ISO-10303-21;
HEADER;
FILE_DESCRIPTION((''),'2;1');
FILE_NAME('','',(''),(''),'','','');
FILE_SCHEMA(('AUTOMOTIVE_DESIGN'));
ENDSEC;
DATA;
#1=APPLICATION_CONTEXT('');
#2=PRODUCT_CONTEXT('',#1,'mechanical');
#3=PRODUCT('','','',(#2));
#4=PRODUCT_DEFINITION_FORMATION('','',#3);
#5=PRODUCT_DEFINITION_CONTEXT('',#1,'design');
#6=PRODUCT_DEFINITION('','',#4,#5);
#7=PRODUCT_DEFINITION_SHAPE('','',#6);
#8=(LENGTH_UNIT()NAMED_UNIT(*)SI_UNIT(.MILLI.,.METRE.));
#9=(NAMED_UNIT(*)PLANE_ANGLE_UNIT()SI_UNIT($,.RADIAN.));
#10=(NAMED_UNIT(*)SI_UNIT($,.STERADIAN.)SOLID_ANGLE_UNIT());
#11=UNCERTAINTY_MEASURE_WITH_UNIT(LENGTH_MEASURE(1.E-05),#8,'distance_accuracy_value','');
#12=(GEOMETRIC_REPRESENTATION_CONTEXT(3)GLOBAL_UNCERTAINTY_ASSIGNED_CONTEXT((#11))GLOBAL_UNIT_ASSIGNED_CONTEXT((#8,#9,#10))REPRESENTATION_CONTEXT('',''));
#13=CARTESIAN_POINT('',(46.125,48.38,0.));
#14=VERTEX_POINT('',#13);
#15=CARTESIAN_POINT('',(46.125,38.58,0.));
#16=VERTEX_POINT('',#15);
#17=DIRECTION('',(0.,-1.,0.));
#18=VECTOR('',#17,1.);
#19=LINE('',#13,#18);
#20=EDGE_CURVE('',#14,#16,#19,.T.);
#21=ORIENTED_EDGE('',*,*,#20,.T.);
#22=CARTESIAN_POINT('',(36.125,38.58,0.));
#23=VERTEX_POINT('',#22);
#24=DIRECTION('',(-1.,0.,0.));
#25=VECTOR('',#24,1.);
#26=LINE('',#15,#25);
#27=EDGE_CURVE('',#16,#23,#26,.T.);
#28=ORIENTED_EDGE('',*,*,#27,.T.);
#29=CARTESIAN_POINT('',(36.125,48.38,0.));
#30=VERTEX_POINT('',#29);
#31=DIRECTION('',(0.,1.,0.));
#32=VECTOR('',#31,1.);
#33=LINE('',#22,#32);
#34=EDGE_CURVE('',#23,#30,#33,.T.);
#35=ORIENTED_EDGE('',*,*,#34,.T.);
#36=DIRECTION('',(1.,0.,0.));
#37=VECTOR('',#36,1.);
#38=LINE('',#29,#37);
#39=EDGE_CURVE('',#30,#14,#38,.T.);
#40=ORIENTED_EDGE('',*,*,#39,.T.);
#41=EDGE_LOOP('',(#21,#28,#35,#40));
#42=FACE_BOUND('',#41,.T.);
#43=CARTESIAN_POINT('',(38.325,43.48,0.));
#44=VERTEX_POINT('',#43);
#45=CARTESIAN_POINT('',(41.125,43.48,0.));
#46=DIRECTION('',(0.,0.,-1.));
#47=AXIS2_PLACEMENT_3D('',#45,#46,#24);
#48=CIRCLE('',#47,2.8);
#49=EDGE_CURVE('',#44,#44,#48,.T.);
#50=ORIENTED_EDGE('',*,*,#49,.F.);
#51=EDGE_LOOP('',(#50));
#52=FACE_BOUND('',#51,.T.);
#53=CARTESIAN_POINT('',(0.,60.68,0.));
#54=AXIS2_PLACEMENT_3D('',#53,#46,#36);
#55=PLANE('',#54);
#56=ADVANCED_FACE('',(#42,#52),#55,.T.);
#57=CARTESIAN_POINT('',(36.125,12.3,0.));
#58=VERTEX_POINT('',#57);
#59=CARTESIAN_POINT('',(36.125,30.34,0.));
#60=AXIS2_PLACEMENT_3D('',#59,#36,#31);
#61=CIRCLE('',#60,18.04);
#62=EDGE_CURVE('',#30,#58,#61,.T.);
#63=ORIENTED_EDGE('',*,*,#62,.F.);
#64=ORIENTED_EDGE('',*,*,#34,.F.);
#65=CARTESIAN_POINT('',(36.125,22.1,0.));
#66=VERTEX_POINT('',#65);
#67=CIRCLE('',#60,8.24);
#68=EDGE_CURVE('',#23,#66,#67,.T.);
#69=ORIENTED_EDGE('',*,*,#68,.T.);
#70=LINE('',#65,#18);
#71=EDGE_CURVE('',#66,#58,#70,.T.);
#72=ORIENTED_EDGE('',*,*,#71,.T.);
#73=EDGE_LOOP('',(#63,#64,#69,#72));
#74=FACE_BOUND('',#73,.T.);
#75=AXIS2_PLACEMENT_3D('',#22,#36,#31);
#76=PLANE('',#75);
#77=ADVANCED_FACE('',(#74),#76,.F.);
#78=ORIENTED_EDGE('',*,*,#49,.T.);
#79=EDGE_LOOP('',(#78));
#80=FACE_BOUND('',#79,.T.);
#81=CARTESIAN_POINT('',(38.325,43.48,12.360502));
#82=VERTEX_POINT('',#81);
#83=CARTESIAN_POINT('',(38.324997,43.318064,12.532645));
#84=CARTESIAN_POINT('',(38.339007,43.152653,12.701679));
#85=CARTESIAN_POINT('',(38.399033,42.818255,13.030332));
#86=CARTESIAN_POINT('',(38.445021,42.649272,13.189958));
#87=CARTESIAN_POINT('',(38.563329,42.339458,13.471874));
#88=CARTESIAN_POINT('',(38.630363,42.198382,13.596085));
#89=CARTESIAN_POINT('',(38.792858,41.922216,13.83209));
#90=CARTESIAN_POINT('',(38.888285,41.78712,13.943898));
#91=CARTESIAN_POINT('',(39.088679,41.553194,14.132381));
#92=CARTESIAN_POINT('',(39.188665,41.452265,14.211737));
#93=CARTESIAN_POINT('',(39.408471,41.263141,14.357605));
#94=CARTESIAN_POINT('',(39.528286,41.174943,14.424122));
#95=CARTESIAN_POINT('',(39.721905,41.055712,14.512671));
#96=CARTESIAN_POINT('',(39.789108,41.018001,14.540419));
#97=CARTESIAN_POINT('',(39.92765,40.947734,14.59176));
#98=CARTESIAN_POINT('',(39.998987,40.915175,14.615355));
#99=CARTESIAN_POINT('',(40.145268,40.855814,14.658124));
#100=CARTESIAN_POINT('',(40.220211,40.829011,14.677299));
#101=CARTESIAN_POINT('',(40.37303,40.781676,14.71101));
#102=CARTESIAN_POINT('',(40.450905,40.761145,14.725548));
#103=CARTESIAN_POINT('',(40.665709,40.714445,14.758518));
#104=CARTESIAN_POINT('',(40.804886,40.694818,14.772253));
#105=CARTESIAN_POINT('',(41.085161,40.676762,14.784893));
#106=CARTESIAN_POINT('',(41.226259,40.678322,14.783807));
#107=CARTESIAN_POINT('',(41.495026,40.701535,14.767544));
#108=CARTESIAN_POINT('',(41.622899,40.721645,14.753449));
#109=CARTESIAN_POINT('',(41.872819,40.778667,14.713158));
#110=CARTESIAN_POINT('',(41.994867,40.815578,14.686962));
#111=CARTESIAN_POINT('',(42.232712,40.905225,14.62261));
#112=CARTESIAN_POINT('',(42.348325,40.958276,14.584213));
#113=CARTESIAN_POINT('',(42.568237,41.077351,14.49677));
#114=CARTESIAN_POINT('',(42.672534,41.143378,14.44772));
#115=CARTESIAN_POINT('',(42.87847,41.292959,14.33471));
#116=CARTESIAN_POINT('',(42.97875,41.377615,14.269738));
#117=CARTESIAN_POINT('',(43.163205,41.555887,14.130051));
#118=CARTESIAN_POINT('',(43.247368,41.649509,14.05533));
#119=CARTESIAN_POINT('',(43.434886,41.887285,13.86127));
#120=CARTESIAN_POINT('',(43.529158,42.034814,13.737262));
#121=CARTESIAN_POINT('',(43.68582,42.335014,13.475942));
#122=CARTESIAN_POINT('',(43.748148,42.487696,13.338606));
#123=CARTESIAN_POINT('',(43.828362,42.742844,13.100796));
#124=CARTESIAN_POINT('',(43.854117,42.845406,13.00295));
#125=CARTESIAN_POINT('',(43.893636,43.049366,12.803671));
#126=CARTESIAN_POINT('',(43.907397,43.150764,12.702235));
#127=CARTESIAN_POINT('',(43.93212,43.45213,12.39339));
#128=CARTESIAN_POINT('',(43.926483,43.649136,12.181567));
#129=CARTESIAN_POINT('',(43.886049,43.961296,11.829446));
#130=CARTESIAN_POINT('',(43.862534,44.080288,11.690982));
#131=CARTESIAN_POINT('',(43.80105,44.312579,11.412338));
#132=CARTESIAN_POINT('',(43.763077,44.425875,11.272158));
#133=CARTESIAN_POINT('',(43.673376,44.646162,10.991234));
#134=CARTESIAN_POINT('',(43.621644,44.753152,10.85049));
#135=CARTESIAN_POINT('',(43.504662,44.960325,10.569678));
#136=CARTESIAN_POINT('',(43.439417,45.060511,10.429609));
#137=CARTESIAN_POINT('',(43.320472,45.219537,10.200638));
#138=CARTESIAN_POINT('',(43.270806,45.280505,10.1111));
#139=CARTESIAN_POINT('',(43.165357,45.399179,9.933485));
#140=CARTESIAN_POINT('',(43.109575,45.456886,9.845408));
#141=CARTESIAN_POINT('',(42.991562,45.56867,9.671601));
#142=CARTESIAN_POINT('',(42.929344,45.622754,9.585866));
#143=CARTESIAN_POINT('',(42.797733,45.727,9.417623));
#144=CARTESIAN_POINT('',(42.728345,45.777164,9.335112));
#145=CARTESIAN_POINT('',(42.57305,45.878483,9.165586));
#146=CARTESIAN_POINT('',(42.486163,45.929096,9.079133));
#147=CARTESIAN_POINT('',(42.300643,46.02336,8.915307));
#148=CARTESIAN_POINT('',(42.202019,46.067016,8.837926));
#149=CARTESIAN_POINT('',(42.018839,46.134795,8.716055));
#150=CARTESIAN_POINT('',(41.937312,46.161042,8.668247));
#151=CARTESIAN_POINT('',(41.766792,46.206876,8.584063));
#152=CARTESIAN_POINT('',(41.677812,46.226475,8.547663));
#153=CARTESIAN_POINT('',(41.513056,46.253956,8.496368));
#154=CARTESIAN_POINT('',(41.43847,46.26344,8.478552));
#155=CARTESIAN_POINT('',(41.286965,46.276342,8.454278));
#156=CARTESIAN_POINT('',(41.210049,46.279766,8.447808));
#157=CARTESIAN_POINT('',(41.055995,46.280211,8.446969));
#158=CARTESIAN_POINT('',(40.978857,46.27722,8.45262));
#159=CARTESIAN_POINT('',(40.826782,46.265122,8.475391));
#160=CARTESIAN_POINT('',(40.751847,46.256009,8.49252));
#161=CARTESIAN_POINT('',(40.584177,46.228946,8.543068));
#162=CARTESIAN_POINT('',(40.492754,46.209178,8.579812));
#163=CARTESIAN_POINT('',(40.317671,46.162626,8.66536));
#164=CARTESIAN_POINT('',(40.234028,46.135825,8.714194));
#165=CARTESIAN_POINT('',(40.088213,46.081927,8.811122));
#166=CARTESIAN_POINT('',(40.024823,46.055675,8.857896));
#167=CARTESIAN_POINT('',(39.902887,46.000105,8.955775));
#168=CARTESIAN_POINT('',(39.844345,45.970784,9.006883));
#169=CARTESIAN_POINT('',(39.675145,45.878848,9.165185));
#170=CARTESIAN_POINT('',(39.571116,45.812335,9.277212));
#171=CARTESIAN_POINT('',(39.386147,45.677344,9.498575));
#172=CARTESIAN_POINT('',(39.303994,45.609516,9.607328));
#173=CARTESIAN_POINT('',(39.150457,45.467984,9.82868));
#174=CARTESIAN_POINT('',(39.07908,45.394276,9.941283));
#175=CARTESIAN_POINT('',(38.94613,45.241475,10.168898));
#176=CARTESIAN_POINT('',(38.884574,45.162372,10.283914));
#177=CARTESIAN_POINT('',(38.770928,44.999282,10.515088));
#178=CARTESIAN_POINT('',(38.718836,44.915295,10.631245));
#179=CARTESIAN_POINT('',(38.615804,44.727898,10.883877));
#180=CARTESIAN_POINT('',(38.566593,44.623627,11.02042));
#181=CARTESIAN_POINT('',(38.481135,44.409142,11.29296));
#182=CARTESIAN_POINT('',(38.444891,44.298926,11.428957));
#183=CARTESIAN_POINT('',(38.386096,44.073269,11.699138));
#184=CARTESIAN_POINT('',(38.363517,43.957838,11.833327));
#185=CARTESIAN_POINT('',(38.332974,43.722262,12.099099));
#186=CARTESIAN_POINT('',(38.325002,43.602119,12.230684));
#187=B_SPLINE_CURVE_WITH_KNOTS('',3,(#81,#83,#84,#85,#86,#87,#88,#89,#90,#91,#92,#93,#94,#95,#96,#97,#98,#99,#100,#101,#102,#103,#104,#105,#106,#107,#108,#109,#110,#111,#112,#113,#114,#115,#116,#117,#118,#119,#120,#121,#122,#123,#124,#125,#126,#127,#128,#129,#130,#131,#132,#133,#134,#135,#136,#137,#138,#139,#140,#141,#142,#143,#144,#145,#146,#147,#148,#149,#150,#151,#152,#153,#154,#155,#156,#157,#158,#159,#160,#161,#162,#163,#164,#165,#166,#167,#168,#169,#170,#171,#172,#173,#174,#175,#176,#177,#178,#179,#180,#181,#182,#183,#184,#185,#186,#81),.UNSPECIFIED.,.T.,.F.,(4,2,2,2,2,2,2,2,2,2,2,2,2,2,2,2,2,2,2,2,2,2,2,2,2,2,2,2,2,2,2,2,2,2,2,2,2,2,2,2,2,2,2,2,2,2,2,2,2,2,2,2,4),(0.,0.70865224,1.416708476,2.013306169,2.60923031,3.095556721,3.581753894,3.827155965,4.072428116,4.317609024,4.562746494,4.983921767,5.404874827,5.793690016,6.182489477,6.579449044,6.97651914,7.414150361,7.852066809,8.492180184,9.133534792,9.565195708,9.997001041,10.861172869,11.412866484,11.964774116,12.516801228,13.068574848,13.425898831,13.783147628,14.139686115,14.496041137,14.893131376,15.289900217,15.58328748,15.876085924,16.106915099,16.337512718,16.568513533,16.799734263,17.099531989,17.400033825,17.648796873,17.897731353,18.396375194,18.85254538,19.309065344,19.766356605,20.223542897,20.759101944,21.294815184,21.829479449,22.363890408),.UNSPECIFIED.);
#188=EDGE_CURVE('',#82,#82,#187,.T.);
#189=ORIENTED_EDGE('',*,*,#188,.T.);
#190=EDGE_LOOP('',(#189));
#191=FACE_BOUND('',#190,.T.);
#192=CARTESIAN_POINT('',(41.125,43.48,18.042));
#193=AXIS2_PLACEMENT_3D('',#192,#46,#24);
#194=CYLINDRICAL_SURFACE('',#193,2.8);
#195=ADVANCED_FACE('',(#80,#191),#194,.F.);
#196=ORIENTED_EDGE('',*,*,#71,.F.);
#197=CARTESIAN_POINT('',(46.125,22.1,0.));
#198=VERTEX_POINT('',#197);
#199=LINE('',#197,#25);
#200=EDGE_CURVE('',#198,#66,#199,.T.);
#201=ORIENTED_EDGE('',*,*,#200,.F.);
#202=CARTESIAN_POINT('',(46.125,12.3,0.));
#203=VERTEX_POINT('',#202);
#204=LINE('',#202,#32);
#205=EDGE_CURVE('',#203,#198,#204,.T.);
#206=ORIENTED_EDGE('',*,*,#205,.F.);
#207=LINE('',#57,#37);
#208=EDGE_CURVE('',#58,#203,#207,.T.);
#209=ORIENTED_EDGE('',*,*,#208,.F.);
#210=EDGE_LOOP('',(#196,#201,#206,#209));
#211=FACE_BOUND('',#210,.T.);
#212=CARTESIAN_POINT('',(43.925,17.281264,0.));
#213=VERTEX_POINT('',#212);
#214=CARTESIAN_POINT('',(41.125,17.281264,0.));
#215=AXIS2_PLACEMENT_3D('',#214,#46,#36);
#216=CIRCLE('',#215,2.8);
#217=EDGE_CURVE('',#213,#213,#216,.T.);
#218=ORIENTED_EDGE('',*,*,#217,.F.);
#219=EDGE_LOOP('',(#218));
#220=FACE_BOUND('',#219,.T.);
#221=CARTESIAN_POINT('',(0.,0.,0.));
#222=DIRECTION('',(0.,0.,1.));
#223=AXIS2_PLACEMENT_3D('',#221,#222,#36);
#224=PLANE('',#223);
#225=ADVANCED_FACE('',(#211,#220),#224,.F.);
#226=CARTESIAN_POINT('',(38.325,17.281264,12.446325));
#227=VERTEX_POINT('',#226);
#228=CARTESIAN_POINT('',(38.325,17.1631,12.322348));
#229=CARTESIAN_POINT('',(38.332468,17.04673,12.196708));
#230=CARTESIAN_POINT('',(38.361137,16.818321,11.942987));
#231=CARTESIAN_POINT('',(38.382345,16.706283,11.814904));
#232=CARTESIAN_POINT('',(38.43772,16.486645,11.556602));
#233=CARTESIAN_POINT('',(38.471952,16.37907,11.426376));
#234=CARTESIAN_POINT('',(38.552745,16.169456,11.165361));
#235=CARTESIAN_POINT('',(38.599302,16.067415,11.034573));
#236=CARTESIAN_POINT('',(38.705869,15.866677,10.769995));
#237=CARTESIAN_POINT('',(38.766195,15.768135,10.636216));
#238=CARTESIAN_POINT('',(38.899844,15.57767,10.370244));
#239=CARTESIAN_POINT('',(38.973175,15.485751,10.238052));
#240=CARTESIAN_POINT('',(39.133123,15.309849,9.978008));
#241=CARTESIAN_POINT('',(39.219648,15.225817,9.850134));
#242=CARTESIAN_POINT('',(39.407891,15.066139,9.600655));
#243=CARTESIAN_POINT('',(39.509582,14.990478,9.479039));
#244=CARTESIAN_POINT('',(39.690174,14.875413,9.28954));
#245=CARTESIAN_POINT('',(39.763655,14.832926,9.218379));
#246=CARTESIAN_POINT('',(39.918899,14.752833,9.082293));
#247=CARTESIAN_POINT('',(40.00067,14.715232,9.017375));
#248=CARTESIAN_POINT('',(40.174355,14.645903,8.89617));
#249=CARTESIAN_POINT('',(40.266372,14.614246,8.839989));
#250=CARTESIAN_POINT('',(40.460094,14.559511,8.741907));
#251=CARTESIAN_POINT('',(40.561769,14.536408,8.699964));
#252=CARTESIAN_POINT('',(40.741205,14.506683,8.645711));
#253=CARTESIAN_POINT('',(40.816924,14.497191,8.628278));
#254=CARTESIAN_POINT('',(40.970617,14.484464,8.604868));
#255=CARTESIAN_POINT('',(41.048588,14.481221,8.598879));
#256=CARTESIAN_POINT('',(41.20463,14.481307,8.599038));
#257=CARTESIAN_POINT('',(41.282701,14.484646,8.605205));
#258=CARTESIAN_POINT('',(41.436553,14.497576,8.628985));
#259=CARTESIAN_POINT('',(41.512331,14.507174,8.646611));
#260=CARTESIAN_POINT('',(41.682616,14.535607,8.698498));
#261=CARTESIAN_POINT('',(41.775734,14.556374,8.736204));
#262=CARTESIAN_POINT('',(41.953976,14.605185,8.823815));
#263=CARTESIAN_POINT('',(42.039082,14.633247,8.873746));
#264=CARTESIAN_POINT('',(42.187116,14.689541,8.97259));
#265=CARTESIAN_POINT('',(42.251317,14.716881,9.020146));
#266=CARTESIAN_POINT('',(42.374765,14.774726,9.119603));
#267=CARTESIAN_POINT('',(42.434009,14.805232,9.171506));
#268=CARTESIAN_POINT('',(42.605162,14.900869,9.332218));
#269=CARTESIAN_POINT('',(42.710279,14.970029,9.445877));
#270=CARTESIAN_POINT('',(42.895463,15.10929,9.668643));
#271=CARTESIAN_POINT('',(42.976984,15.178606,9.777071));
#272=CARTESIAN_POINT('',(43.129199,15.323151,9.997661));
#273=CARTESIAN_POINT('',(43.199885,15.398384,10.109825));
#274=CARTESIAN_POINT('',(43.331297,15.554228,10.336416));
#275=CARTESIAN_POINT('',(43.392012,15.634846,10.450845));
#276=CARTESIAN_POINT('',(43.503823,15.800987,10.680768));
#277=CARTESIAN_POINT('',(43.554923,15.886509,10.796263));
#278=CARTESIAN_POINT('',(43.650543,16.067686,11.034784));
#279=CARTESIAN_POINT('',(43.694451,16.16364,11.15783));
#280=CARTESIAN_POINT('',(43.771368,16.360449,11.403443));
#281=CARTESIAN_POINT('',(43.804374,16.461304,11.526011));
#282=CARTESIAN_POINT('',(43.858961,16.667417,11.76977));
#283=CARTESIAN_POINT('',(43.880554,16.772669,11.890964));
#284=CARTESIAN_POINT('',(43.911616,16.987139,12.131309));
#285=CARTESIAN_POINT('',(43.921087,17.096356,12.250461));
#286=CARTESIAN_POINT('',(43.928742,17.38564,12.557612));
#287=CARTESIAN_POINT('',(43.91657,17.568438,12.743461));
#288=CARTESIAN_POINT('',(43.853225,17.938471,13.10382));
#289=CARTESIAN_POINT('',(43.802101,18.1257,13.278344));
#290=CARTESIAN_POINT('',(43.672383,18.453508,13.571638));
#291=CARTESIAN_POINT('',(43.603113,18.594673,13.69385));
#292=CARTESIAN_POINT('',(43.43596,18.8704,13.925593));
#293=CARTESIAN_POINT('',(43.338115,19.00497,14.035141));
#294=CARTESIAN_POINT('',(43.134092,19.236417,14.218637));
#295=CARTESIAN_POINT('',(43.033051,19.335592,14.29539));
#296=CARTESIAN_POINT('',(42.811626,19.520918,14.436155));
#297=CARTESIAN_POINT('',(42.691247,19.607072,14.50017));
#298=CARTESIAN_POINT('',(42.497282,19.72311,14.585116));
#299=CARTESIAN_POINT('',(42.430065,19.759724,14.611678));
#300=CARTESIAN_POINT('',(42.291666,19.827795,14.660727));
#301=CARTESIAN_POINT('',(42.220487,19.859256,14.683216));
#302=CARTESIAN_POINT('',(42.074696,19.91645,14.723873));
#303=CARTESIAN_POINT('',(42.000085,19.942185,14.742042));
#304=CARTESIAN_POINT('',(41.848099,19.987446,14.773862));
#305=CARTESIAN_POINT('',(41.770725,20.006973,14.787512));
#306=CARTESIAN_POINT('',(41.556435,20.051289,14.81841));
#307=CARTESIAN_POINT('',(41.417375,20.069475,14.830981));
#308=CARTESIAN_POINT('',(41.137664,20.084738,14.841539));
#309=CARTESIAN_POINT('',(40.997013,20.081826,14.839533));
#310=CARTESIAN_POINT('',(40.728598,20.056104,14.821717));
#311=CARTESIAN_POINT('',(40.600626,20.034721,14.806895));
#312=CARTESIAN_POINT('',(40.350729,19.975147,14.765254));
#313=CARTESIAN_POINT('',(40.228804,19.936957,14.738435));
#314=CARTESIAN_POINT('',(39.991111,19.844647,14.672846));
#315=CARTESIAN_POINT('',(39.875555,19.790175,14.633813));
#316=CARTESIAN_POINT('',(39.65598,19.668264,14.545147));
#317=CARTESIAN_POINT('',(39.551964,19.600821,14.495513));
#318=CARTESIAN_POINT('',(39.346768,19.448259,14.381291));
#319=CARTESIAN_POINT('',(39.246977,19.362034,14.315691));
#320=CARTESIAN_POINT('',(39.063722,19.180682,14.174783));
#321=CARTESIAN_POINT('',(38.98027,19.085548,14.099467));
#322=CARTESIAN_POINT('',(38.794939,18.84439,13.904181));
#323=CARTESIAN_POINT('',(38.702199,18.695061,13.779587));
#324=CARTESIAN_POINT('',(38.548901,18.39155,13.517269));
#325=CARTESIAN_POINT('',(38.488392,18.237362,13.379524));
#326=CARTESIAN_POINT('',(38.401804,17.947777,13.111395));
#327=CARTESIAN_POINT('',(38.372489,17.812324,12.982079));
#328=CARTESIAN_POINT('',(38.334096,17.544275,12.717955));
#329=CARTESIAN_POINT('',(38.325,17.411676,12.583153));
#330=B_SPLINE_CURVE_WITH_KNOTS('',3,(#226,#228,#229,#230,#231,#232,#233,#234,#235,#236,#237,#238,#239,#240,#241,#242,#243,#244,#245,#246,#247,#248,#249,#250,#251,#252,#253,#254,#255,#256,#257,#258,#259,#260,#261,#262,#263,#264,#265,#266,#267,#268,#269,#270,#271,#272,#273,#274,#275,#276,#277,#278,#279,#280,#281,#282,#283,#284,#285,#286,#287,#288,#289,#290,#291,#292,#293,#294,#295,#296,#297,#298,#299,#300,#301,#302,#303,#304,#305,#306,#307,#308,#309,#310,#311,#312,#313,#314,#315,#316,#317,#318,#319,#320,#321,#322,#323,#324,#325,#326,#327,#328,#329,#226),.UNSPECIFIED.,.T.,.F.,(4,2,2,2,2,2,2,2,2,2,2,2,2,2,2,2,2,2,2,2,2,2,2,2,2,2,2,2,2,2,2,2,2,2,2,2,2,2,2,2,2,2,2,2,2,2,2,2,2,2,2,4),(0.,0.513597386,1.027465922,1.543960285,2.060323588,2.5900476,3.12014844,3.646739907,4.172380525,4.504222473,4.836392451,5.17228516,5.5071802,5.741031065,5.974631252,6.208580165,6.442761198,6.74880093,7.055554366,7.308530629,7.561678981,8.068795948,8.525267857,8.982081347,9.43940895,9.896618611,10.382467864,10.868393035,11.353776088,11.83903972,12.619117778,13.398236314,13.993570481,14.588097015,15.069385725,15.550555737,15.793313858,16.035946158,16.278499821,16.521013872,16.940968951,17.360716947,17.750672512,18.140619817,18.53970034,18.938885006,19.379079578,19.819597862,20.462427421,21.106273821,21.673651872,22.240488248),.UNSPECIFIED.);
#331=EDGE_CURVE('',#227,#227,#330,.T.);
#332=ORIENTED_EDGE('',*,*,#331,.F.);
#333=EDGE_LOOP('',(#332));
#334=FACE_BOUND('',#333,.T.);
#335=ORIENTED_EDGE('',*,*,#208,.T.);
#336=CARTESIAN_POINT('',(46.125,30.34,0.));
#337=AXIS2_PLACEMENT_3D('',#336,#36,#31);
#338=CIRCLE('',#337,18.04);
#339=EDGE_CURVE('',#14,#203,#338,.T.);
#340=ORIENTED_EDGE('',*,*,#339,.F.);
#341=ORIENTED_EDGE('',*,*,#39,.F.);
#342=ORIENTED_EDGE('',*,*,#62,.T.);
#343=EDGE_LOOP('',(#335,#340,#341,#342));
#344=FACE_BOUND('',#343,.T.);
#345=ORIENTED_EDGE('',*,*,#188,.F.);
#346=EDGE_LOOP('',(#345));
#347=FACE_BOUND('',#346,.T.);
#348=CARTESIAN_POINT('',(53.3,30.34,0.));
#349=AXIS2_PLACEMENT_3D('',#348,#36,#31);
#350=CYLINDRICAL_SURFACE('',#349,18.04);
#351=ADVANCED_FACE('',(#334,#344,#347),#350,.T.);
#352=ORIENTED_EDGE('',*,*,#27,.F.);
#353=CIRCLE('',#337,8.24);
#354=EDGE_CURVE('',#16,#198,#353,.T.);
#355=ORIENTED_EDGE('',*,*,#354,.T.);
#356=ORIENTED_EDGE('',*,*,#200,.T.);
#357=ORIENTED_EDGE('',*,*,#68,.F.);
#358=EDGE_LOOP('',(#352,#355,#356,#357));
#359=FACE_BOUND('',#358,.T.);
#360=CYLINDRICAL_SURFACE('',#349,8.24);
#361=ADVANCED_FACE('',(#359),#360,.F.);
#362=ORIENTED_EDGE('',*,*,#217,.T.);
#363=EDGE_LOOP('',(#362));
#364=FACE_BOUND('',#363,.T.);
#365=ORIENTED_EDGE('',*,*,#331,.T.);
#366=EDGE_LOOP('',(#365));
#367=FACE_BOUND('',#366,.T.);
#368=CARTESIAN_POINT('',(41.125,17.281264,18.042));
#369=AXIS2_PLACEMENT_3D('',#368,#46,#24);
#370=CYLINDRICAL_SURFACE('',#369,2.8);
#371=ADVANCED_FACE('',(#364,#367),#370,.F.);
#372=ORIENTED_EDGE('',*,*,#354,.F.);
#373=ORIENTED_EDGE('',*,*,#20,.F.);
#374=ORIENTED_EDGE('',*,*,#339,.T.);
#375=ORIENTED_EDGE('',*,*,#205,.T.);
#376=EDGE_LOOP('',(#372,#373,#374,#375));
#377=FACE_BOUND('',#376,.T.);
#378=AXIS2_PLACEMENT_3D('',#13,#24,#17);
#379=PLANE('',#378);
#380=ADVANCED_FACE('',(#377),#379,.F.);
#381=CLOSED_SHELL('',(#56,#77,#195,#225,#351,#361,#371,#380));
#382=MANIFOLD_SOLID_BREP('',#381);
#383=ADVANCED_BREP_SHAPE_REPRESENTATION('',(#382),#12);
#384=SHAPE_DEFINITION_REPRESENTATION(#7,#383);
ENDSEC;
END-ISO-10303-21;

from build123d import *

# Parameters (mm, degrees)
REVOLVE1_ANGLE          = 180
CUT_EXTRUDE1_REACH      = 71.236
CUT_EXTRUDE1_END_RADIUS = 18.04
SKETCH2_R               = 2.8


with BuildPart() as part:
    # Sketch1 → Revolve1 (revolve)
    with BuildSketch(Plane.XY):
        Polygon((40.76425, 22.1), (36.125, 22.1), (36.125, 12.3), (46.125, 12.3), (46.125, 22.1), align=None)
    revolve(axis=Axis((53.3, 30.34, 0), (-1, 0, 0)), revolution_arc=REVOLVE1_ANGLE)

    # Cut-Extrude1: up to this cylinder (the profile starts inside it)
    cut_extrude1_end = Plane(origin=(41.125, 30.34, 0), z_dir=(1, 0, 0)) * Cylinder(CUT_EXTRUDE1_END_RADIUS, 179.552, mode=Mode.PRIVATE)
    # Sketch2 → Cut-Extrude1 (cut, up to the surface)
    with BuildSketch(Plane(origin=(0, 0, 0), x_dir=(-1, 0, 0), z_dir=(0, 0, -1)), mode=Mode.PRIVATE) as cut_extrude1_sk1:
        with Locations((-41.125, 43.48)):
            Circle(SKETCH2_R)
    cut_extrude1_tool1 = extrude(cut_extrude1_sk1.sketch, amount=-CUT_EXTRUDE1_REACH, mode=Mode.PRIVATE) & cut_extrude1_end
    add(cut_extrude1_tool1.solids().sort_by_distance((41.125, 43.48, 0))[0], mode=Mode.SUBTRACT)
    # Sketch2 → Cut-Extrude1 (cut, up to the surface)
    with BuildSketch(Plane(origin=(0, 0, 0), x_dir=(-1, 0, 0), z_dir=(0, 0, -1)), mode=Mode.PRIVATE) as cut_extrude1_sk2:
        with Locations((-41.125, 17.281263544)):
            Circle(SKETCH2_R)
    cut_extrude1_tool2 = extrude(cut_extrude1_sk2.sketch, amount=-CUT_EXTRUDE1_REACH, mode=Mode.PRIVATE) & cut_extrude1_end
    add(cut_extrude1_tool2.solids().sort_by_distance((41.125, 17.281264, 0))[0], mode=Mode.SUBTRACT)


solid = part.part
